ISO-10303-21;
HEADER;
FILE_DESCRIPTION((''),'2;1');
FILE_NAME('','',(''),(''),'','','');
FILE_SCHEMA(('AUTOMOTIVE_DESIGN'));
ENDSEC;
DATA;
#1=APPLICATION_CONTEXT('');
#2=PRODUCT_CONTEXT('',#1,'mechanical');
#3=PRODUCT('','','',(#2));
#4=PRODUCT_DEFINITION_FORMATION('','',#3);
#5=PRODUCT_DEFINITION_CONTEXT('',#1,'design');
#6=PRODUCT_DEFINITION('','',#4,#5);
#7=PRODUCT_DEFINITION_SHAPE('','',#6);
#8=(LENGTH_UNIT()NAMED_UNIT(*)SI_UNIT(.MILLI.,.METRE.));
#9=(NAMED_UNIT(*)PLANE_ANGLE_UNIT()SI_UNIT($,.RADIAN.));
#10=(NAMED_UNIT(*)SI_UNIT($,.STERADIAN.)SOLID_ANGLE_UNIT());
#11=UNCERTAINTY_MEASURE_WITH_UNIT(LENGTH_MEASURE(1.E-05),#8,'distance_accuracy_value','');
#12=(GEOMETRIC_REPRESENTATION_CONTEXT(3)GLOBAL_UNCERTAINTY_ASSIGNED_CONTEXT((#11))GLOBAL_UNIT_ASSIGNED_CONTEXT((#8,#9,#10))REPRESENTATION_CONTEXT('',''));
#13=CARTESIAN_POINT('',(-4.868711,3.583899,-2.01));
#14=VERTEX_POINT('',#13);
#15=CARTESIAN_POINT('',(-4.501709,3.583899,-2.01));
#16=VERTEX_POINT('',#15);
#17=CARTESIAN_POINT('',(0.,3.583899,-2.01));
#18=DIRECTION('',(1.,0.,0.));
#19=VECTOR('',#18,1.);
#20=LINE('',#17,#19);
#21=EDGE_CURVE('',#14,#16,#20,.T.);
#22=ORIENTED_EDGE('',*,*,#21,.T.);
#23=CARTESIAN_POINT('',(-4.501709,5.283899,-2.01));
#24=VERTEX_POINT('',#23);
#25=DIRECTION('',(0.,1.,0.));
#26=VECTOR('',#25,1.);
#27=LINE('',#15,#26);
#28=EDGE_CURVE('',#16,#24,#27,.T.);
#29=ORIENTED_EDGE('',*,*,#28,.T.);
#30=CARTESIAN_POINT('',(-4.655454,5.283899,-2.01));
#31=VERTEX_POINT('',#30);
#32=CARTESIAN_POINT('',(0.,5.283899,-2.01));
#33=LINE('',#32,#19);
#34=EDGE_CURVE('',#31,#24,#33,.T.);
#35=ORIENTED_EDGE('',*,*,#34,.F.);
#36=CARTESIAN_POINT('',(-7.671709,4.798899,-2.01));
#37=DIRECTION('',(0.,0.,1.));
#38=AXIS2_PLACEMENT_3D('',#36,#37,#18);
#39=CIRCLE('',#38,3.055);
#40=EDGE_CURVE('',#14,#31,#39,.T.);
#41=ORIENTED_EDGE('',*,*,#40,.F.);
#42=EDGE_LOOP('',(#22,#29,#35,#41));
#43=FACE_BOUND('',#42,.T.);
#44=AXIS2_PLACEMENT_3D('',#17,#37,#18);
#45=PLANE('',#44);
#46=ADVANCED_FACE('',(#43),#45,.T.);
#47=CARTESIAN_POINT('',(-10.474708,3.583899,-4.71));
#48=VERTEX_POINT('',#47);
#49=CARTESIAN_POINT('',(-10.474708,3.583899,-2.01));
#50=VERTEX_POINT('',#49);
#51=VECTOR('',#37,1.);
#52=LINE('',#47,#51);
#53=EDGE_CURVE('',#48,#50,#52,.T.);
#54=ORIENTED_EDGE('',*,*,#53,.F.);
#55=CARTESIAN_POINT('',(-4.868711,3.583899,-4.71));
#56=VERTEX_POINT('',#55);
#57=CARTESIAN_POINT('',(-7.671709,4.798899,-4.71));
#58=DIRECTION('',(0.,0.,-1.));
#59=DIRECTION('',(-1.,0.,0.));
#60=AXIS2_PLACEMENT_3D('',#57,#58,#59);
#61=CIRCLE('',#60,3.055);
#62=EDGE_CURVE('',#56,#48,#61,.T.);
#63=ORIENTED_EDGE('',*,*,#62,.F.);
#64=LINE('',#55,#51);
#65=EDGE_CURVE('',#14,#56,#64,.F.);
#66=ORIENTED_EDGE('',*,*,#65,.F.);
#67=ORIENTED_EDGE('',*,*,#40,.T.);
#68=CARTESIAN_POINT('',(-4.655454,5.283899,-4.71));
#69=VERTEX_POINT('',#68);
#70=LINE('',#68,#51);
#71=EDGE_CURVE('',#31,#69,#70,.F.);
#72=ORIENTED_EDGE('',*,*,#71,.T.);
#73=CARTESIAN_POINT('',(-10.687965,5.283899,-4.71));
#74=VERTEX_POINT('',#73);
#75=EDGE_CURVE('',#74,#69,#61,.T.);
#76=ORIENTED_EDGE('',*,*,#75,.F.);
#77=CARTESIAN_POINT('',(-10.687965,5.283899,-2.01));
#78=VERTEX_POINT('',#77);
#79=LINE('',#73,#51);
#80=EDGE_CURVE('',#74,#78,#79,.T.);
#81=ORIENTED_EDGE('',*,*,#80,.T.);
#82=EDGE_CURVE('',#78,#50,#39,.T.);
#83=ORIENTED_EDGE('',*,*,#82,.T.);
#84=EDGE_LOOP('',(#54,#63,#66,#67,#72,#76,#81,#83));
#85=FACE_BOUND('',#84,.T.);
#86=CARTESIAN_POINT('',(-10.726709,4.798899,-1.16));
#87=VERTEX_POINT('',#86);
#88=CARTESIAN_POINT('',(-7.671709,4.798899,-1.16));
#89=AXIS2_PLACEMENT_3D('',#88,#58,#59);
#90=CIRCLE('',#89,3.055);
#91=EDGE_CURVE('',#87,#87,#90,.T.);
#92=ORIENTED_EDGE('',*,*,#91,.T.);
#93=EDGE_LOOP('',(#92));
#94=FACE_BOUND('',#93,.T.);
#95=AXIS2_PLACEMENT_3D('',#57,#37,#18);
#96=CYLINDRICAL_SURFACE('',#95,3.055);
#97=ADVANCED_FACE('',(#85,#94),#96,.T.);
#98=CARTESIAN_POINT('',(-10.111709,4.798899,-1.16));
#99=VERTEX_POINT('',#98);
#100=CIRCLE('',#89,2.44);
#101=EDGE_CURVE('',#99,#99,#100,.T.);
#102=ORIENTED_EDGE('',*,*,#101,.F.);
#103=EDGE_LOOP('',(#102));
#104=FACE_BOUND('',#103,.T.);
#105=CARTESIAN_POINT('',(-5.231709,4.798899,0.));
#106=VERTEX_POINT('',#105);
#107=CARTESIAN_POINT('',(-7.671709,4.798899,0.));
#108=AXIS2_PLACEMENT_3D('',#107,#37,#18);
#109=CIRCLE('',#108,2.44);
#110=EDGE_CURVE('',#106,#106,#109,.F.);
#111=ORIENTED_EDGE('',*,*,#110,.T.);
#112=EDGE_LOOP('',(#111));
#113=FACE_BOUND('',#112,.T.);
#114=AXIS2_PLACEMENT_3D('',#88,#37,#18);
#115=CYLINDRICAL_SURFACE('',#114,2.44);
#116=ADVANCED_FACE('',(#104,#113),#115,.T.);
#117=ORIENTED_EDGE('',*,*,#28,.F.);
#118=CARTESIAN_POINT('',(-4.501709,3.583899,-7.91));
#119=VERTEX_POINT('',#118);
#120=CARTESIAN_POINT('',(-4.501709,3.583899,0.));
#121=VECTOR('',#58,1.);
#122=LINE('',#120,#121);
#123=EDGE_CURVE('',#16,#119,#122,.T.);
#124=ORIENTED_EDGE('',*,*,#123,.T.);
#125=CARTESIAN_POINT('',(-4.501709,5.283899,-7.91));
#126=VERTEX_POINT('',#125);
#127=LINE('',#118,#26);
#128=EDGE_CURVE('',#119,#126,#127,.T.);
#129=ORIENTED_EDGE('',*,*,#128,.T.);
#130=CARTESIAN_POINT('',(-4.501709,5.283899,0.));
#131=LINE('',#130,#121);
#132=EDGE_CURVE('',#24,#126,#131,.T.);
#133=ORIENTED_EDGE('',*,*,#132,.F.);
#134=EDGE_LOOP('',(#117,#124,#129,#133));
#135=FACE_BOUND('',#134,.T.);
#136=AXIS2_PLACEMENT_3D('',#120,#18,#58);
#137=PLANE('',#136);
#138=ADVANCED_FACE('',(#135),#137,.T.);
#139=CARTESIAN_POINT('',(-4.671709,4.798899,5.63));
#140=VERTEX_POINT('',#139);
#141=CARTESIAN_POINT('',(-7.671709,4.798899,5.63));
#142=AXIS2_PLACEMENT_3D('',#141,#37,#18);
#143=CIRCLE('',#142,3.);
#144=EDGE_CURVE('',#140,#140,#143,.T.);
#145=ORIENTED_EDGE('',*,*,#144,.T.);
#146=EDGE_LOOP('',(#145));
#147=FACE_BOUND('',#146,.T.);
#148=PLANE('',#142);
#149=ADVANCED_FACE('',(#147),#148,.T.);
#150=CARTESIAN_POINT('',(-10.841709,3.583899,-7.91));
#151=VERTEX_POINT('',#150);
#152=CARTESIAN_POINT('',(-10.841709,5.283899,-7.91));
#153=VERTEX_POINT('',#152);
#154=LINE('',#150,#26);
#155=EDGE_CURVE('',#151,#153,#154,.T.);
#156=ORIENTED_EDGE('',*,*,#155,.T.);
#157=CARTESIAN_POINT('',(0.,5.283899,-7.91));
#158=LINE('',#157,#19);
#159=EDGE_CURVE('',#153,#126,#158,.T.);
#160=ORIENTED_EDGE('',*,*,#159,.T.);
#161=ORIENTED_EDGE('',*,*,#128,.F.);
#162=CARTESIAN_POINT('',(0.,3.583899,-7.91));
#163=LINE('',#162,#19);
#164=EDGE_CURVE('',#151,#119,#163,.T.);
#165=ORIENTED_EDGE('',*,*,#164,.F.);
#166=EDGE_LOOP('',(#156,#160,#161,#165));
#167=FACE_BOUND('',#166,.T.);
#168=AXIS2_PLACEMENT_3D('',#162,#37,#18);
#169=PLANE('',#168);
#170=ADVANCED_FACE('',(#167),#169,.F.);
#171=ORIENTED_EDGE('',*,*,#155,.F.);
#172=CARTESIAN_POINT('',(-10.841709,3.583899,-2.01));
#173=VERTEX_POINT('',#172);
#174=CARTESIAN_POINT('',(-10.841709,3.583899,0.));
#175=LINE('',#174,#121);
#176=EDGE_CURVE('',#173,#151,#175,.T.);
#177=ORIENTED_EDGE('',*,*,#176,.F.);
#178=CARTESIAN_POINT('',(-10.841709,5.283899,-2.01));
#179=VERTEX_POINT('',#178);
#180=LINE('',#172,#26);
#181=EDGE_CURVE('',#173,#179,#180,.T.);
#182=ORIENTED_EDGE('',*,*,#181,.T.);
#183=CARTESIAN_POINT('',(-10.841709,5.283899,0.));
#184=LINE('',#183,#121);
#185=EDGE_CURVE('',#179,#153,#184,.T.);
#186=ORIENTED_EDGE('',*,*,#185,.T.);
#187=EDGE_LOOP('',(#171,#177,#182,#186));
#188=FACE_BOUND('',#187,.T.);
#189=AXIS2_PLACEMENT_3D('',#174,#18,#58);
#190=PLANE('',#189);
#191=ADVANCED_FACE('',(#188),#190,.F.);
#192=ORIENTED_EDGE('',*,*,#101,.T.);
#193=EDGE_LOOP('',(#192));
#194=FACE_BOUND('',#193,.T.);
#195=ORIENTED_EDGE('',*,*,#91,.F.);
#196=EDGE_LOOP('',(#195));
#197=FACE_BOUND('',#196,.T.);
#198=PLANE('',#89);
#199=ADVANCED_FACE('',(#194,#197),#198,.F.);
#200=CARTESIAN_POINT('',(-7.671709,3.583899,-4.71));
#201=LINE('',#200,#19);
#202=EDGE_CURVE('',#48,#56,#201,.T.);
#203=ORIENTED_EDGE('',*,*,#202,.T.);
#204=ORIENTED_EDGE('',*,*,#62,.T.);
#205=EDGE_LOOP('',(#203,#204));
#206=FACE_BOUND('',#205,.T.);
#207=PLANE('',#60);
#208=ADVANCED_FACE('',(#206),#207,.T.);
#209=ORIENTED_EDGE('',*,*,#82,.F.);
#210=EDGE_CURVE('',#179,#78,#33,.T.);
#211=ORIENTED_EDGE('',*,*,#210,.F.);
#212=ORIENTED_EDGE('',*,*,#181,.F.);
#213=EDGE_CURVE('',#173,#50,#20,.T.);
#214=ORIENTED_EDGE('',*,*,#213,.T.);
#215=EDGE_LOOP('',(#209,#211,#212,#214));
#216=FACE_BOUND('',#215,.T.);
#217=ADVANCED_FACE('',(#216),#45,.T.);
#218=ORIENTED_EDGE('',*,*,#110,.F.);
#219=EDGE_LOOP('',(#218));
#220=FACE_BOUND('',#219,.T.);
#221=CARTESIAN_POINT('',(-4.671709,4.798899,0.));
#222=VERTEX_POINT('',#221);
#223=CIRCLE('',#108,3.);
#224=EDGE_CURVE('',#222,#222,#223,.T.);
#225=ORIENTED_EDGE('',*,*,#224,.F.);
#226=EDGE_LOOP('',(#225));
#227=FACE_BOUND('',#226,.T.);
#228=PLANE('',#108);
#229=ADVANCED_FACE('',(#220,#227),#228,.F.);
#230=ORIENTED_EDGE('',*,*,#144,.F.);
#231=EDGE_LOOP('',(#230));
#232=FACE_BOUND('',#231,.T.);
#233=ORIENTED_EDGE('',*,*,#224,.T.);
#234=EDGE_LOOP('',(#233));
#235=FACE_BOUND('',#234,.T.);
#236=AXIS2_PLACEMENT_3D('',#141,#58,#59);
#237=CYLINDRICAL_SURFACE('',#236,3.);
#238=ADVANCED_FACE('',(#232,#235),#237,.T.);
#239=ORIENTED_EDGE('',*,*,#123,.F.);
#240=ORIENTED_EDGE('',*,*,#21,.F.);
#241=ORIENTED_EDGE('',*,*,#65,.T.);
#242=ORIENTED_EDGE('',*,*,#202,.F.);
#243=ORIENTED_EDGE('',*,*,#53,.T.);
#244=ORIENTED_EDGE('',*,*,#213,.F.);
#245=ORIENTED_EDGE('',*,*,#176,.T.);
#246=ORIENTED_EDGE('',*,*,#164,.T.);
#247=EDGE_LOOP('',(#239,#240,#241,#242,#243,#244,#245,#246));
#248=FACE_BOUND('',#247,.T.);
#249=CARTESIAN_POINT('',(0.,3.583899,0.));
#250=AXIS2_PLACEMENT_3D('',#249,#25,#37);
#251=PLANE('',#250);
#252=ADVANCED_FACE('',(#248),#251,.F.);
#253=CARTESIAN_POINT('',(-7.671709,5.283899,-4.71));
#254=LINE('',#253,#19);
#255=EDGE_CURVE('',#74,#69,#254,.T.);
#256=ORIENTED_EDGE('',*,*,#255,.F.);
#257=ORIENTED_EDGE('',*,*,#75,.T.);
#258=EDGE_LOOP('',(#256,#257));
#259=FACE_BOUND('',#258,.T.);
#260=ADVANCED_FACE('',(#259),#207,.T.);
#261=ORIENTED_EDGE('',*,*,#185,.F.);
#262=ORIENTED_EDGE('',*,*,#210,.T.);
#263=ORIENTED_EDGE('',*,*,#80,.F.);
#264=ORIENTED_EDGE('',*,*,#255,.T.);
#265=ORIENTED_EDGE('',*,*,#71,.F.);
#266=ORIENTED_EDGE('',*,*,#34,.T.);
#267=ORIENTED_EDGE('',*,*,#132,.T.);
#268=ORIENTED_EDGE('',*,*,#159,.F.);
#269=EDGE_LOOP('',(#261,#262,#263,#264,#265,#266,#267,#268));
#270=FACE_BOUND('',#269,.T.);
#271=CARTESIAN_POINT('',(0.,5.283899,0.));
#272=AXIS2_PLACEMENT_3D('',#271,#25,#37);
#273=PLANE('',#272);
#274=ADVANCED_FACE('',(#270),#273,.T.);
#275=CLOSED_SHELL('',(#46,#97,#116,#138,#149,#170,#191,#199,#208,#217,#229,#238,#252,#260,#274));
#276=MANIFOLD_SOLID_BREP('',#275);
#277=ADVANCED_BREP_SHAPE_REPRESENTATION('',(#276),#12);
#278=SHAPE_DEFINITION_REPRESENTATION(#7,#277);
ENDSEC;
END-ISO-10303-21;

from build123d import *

# Parameters (mm, degrees)
SKETCH3_R           = 3
BOSS_EXTRUDE1_DEPTH = 5.63
SKETCH8_R           = 2.44
BOSS_EXTRUDE2_DEPTH = 1.16
SKETCH9_R           = 3.055
BOSS_EXTRUDE3_DEPTH = 3.55
BOSS_EXTRUDE4_START = 0.485
SKETCH15_W          = 6.34
SKETCH15_H          = 5.9
BOSS_EXTRUDE4_DEPTH = 1.7


with BuildPart() as part:
    # Sketch3 → Boss-Extrude1 (new body)
    with BuildSketch(Plane.XY):
        with Locations((-7.67170946, 4.798899109)):
            Circle(SKETCH3_R)
    extrude(amount=BOSS_EXTRUDE1_DEPTH)

    # Sketch8 → Boss-Extrude2 (add)
    with BuildSketch(Plane(origin=(0, 0, 0), x_dir=(-1, 0, 0), z_dir=(0, 0, -1))):
        with Locations(Location((7.67170946, 4.798899109, 0), (0, 0, 180))):
            Circle(SKETCH8_R)
    extrude(amount=BOSS_EXTRUDE2_DEPTH)

    # Sketch9 → Boss-Extrude3 (add)
    with BuildSketch(Plane(origin=(0, 0, -1.16), x_dir=(-1, 0, 0), z_dir=(0, 0, -1))):
        with Locations((7.67170946, 4.798899109)):
            Circle(SKETCH9_R)
    extrude(amount=BOSS_EXTRUDE3_DEPTH)

    # Sketch15 → Boss-Extrude4 (add)
    with BuildSketch(Plane(origin=(0, 4.798899109, 0), x_dir=(1, 0, 0), z_dir=(0, 1, 0)).offset(BOSS_EXTRUDE4_START)):
        with Locations((-7.67170946, 4.96)):
            Rectangle(SKETCH15_W, SKETCH15_H)
    extrude(amount=-BOSS_EXTRUDE4_DEPTH)


solid = part.part
